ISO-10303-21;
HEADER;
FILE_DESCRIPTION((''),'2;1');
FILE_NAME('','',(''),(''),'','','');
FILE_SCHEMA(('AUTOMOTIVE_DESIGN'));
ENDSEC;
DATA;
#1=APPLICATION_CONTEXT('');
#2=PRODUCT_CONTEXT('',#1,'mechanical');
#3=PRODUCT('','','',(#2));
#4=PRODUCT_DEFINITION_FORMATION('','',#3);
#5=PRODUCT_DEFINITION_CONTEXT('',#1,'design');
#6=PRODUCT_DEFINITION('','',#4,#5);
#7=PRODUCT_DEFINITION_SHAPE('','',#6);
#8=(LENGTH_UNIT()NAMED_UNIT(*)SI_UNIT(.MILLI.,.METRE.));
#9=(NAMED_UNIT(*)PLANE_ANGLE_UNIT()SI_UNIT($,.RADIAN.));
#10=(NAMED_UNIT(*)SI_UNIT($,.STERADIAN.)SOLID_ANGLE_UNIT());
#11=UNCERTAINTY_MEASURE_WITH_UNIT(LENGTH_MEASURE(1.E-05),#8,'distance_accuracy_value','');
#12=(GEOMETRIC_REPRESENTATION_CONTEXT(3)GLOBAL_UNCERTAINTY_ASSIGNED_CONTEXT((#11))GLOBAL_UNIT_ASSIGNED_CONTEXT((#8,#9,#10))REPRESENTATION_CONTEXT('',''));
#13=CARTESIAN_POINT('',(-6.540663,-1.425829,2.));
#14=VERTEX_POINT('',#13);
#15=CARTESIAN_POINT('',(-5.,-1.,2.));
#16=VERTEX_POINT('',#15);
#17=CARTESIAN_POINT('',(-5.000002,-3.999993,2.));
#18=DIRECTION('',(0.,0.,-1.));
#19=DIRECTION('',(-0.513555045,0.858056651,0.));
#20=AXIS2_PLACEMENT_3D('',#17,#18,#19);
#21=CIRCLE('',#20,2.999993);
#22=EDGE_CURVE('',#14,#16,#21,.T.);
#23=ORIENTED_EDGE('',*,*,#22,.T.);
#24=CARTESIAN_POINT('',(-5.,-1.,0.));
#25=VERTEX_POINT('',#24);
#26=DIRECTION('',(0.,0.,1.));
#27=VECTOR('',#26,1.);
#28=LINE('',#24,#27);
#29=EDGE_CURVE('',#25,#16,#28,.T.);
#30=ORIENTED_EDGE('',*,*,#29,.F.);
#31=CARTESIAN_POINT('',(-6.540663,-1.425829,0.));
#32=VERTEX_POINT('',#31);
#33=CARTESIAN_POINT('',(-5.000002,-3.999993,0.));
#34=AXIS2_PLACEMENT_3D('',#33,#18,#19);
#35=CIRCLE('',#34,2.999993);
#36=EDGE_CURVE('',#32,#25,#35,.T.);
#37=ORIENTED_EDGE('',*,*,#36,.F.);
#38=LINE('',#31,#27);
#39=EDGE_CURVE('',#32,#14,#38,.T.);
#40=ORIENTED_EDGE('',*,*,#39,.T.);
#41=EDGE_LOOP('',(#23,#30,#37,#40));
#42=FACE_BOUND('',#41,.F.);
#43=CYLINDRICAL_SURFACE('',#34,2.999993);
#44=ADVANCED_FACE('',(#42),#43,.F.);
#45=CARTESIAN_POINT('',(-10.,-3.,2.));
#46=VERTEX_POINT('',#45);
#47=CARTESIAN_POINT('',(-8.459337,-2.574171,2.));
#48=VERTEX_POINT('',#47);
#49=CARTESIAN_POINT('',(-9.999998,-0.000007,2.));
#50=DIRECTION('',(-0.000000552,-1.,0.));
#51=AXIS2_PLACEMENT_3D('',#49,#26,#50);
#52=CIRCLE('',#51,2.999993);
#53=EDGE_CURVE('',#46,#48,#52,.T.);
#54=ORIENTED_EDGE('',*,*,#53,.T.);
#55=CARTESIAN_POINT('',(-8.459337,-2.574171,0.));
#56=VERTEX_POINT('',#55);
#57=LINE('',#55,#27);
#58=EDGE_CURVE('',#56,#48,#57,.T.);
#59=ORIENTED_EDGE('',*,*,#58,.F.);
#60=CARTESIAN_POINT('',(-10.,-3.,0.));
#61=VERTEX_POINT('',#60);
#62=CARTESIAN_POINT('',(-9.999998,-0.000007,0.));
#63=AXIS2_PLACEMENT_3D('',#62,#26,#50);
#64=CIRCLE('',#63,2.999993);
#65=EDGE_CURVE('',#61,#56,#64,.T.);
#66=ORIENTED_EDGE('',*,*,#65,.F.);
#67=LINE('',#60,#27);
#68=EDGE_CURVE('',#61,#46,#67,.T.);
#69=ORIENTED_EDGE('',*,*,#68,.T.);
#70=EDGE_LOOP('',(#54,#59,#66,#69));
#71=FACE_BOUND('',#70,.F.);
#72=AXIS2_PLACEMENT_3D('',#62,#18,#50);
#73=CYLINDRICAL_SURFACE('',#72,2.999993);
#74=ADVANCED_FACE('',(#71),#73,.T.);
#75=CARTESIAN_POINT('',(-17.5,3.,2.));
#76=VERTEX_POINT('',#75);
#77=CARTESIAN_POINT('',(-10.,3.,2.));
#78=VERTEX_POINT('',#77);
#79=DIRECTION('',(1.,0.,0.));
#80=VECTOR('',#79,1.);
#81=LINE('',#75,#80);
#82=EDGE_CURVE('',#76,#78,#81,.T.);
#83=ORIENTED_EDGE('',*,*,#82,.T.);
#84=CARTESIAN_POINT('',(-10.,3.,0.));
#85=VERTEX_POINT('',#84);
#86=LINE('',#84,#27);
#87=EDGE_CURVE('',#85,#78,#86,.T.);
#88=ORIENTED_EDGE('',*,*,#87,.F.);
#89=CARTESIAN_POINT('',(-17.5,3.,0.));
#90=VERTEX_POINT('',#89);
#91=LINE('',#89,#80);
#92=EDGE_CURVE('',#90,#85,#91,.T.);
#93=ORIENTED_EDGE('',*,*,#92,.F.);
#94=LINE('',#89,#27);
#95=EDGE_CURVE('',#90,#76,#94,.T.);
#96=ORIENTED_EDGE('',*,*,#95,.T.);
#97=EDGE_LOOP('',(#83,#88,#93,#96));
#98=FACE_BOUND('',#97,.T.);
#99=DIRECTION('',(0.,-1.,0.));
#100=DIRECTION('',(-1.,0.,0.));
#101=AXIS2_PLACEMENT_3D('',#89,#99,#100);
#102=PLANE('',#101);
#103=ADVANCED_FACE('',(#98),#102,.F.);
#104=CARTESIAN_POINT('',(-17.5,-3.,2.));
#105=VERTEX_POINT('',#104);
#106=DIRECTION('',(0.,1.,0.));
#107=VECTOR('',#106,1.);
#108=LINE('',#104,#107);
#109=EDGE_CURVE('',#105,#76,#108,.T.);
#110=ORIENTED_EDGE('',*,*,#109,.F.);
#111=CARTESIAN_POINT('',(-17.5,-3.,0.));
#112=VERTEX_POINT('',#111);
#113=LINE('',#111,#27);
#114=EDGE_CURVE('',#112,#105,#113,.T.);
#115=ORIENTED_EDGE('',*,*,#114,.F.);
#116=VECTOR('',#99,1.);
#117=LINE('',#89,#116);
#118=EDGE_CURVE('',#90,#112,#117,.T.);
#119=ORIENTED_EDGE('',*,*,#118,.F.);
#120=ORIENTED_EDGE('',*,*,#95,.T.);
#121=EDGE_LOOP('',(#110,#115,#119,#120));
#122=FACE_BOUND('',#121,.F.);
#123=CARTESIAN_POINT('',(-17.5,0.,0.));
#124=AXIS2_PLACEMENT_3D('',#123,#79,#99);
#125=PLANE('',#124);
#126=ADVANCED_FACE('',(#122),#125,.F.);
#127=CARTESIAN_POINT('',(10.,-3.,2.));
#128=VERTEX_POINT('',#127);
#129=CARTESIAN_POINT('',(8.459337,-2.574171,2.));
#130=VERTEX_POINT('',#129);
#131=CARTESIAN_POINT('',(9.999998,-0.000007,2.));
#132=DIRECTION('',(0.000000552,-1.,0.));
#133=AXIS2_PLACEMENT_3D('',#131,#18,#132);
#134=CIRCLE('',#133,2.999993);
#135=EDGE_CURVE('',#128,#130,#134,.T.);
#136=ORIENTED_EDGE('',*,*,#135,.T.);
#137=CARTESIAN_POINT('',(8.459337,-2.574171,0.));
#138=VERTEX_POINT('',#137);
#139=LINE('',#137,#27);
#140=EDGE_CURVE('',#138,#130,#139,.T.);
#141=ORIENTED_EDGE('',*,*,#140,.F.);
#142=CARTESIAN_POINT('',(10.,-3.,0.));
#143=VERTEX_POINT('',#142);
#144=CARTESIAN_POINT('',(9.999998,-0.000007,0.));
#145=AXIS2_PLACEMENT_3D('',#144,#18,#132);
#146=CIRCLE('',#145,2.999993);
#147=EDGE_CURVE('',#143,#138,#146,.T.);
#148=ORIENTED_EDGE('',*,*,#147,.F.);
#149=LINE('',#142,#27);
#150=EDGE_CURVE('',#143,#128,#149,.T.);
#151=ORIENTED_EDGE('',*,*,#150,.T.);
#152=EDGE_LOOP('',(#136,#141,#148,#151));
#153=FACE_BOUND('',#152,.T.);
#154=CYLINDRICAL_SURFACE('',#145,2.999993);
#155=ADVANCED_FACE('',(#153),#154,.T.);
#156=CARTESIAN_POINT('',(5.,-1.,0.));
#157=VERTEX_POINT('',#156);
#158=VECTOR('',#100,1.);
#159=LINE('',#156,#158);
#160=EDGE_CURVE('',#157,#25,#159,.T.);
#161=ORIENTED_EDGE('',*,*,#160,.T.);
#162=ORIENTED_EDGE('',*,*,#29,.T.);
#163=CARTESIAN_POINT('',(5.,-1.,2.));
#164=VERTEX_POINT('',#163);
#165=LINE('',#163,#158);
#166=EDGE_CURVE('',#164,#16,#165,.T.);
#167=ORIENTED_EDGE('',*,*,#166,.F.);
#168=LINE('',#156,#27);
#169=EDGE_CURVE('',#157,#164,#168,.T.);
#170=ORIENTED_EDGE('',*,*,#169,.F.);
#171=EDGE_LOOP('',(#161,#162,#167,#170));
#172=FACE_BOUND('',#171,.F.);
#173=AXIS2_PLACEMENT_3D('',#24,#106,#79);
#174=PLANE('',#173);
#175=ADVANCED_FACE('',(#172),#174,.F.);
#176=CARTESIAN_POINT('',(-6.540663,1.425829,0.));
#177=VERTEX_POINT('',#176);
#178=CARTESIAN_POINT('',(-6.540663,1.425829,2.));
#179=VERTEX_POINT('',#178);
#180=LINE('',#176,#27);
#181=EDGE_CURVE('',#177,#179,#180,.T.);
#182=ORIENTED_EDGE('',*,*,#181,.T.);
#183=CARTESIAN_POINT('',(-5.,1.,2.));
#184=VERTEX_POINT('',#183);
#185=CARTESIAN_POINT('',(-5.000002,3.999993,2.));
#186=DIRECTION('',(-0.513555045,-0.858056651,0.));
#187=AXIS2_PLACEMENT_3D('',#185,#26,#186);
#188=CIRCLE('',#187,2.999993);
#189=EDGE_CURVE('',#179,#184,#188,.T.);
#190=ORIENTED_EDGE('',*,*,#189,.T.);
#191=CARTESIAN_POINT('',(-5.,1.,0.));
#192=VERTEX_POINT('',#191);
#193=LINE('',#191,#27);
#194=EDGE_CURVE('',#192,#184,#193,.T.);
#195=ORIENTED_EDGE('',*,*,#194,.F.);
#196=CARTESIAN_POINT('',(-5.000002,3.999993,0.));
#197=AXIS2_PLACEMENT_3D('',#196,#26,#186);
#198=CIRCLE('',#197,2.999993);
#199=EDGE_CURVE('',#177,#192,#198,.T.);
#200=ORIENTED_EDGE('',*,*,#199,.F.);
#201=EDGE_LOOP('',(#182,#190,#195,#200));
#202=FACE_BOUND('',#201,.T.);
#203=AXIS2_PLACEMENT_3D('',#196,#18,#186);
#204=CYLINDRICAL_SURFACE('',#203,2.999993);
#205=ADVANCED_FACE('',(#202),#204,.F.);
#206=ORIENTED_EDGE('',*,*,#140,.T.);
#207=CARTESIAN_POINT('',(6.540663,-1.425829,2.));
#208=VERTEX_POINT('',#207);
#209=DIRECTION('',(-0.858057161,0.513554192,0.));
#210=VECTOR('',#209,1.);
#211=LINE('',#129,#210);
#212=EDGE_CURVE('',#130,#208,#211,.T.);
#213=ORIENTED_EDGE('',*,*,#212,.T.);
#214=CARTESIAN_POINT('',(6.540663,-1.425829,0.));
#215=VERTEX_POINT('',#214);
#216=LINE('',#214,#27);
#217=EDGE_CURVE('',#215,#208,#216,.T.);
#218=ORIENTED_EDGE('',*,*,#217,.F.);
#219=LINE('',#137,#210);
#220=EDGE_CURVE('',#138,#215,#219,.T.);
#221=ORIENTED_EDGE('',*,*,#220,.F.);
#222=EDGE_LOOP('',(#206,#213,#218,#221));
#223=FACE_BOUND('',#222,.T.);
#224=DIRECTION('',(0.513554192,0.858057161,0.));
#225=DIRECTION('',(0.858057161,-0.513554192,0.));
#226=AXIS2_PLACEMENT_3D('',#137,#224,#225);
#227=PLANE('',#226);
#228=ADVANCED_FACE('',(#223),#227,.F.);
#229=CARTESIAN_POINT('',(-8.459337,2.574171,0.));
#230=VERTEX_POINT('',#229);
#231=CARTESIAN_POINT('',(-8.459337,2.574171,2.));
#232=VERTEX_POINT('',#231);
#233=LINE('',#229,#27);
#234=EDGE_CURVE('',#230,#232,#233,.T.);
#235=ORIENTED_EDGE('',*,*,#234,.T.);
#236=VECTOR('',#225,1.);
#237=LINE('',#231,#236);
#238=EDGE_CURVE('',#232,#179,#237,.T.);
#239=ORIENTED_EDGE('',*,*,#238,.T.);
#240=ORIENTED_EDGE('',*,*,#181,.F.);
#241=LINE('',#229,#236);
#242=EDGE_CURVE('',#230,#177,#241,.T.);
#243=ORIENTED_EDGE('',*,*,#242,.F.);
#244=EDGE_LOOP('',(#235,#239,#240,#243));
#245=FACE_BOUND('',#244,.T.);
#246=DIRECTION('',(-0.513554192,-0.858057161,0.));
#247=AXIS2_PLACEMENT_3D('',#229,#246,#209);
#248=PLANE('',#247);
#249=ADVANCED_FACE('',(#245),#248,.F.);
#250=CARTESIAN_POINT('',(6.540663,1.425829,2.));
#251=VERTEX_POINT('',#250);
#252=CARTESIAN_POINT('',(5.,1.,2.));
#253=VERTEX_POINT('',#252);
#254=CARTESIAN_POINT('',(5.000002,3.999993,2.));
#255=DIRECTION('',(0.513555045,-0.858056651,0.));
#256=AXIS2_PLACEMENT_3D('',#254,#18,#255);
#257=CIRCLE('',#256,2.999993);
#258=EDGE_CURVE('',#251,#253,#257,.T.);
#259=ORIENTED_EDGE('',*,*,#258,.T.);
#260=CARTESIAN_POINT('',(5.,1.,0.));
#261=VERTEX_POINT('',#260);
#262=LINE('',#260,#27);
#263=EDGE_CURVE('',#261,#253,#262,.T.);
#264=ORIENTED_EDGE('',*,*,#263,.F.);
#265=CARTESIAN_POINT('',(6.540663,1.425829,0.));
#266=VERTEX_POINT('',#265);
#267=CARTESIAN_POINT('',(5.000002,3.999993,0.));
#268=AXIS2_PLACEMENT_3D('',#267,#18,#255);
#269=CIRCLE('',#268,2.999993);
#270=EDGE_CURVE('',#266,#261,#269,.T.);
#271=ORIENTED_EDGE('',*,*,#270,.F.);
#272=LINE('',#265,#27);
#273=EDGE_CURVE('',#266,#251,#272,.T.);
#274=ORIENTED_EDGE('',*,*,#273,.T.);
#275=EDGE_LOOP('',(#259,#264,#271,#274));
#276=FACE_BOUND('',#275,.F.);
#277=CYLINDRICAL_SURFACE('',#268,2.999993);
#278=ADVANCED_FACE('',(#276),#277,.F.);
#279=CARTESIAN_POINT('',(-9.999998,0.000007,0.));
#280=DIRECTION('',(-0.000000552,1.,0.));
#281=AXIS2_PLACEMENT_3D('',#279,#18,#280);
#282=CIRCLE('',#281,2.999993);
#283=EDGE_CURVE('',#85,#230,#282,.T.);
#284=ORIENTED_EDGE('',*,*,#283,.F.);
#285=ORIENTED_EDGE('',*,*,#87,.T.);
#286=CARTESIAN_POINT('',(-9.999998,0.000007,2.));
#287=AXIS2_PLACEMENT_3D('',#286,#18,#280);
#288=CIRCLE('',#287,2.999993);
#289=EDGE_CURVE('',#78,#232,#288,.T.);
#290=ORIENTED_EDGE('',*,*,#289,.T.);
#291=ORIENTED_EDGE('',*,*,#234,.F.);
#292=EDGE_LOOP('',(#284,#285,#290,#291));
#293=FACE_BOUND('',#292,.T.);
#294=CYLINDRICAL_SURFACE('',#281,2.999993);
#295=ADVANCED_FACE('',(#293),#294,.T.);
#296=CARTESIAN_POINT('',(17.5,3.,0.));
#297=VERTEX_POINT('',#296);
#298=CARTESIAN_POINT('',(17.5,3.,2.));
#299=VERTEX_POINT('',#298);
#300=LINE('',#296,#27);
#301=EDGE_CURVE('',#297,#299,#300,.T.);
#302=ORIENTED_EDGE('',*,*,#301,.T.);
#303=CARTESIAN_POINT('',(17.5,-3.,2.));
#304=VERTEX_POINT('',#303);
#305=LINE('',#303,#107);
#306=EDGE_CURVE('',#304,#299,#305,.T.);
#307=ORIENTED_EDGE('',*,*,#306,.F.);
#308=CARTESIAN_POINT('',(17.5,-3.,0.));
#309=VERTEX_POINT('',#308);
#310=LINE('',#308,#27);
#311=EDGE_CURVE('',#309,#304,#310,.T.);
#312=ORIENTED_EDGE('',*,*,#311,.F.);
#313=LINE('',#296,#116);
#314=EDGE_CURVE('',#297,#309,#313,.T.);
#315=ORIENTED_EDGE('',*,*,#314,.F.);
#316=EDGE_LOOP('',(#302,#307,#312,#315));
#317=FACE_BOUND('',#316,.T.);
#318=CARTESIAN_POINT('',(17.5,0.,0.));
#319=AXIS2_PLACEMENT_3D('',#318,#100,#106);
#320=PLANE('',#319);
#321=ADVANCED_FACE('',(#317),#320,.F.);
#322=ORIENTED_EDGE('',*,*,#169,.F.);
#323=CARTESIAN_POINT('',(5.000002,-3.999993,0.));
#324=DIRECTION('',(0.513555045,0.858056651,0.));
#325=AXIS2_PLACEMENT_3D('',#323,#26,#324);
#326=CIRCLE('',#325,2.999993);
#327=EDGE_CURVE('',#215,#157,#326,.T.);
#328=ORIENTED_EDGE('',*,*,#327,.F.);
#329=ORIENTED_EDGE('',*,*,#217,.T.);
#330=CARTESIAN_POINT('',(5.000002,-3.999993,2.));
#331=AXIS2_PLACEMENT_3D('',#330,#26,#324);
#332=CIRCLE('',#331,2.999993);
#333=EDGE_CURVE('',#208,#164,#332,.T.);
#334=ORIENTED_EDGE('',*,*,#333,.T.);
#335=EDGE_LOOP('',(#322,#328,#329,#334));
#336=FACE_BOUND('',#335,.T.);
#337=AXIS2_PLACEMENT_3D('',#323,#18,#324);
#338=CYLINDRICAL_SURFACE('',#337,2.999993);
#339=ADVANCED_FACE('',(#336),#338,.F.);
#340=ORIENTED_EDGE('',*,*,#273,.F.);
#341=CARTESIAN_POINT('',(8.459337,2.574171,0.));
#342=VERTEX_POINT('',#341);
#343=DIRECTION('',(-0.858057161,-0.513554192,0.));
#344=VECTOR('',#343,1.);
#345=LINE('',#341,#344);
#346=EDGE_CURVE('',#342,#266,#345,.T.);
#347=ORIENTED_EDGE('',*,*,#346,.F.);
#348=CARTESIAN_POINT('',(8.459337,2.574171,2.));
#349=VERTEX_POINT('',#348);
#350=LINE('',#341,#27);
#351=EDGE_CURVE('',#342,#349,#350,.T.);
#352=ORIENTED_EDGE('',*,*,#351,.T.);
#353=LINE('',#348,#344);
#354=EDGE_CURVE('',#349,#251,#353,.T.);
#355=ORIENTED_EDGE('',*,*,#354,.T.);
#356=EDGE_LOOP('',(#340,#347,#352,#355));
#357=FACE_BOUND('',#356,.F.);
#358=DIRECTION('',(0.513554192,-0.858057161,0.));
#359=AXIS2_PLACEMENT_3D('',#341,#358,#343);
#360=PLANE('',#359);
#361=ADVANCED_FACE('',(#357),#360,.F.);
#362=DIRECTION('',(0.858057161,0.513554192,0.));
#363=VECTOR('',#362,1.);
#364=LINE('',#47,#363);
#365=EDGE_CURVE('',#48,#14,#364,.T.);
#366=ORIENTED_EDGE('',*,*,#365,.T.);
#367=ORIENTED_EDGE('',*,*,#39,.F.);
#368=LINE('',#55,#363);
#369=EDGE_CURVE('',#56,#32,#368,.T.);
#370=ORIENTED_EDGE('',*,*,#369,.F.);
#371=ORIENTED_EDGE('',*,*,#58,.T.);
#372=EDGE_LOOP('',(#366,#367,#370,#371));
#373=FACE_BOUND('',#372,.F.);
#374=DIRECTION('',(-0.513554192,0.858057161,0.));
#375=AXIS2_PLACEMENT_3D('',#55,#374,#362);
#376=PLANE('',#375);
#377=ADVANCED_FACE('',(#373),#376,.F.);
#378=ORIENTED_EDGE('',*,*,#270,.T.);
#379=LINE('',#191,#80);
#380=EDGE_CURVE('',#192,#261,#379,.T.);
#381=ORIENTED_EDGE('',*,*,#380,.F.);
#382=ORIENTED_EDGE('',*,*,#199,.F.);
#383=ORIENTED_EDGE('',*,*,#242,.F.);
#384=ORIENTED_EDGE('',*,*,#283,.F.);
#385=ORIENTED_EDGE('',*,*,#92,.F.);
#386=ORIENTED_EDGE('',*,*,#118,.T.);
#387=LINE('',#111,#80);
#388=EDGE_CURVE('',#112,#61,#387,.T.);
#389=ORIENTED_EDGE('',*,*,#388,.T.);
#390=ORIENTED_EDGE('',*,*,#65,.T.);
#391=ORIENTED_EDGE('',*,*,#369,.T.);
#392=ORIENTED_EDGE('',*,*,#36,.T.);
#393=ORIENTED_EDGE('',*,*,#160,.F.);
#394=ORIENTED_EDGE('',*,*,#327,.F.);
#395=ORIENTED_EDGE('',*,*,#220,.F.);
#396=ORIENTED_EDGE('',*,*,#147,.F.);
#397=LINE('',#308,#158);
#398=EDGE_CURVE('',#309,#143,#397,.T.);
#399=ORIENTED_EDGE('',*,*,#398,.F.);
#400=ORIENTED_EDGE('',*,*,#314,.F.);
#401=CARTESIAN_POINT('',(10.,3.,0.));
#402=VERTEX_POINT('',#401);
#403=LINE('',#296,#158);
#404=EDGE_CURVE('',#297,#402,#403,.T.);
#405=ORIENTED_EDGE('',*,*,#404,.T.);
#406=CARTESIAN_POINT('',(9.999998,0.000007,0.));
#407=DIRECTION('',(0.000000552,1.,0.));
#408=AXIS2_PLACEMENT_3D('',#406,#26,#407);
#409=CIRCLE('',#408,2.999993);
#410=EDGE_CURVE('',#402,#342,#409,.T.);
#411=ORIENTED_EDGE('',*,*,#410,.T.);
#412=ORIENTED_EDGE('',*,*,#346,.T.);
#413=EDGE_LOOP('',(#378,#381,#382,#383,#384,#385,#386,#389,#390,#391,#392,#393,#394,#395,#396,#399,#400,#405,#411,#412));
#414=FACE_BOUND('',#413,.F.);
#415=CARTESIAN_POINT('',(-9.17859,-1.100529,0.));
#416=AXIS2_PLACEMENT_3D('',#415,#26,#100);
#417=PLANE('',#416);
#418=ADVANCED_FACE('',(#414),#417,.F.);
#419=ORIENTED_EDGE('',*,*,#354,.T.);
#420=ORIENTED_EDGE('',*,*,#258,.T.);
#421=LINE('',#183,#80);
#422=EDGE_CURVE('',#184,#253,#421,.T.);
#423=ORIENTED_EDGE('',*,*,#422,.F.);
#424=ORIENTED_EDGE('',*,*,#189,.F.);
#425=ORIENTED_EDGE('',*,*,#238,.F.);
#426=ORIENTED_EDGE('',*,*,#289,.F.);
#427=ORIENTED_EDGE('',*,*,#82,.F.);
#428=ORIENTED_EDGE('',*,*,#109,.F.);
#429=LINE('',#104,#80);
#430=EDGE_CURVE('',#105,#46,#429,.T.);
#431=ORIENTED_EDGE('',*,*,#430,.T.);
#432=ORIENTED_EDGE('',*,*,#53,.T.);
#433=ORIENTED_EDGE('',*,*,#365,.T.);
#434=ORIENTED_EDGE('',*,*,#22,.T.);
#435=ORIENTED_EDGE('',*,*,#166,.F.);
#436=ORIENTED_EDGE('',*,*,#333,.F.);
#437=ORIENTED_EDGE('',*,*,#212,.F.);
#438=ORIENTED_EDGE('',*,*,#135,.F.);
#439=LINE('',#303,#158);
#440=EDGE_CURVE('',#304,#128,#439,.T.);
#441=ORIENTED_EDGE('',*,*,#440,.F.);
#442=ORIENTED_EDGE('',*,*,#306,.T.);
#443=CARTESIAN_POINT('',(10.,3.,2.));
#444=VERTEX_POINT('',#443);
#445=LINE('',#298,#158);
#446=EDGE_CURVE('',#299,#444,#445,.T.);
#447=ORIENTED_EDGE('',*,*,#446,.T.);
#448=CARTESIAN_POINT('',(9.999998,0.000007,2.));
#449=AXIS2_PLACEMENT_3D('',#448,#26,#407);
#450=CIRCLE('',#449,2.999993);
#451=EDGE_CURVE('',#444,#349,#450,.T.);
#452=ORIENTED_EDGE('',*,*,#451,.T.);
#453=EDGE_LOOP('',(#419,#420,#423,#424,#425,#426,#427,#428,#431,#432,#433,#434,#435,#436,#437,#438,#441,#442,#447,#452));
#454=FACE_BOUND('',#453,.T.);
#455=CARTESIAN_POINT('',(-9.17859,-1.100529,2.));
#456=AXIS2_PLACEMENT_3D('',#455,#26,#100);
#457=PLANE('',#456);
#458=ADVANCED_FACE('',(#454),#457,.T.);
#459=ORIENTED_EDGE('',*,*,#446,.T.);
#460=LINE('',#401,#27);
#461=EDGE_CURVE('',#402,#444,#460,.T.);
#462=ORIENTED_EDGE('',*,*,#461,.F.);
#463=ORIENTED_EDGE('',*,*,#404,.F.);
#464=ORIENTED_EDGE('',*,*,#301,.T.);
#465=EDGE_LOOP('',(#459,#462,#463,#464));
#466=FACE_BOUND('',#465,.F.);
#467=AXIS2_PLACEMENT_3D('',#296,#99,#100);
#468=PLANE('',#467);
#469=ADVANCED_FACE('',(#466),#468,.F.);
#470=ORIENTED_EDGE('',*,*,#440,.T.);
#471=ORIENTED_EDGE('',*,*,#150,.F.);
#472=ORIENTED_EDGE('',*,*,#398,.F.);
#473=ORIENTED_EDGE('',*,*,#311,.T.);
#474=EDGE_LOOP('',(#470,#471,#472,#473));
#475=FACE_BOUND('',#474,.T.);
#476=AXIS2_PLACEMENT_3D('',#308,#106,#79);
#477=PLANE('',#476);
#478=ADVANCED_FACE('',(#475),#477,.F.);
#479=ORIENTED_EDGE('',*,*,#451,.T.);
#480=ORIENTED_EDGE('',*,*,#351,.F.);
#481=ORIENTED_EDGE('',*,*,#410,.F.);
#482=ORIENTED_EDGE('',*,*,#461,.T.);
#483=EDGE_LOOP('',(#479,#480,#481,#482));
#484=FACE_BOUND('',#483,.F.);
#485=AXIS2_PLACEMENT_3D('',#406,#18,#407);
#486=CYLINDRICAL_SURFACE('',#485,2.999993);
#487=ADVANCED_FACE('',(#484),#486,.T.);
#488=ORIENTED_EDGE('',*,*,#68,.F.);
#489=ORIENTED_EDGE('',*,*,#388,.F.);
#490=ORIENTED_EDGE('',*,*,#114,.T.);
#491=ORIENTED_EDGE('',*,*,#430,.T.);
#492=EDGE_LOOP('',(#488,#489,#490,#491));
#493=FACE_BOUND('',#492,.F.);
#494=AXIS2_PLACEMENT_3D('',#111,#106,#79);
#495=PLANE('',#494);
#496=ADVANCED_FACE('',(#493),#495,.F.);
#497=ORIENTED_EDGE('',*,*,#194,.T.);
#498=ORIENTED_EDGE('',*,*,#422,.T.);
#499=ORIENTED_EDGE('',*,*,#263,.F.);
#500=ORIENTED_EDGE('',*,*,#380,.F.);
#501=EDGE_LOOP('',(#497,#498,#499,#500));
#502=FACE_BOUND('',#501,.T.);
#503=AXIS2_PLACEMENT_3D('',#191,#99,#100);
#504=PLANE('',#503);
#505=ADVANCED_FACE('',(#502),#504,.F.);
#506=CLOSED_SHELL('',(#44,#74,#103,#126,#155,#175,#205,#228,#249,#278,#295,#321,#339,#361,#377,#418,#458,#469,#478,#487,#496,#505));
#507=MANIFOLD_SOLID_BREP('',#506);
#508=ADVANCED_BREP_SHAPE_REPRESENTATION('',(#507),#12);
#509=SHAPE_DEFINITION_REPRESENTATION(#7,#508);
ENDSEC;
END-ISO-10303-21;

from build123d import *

# Parameters (mm, degrees)
F1_DEPTH = 2


with BuildPart() as f1:
    # F0 (on Top) → F1 (new body)
    with BuildSketch(Plane.XY):
        with BuildLine():
            Line((0, 1), (0, 0))
            Line((0, 0), (17.5, 0))
            Line((17.5, 0), (17.5, 3))
            Line((17.5, 3), (10, 3))
            ThreePointArc((10, 3), (9.200786, 2.891584), (8.459337, 2.574171))
            Line((8.459337, 2.574171), (6.540663, 1.425829))
            ThreePointArc((6.540663, 1.425829), (5.799214, 1.108416), (5, 1))
            Line((5, 1), (0, 1))
        make_face()
    extrude(amount=F1_DEPTH)

    # F2: F1 across face


with BuildPart() as f1_1:
    add(f1.part)
    add(f1.part.mirror(Plane(origin=(8.75, 0, 1), x_dir=(1, 0, 0), z_dir=(0, -1, 0))))

    # F3: F1 across face


with BuildPart() as f1_2:
    add(f1_1.part)
    add(f1_1.part.mirror(Plane(origin=(0, 0, 1), x_dir=(0, -1, 0), z_dir=(-1, 0, 0))))


solid = f1_2.part
